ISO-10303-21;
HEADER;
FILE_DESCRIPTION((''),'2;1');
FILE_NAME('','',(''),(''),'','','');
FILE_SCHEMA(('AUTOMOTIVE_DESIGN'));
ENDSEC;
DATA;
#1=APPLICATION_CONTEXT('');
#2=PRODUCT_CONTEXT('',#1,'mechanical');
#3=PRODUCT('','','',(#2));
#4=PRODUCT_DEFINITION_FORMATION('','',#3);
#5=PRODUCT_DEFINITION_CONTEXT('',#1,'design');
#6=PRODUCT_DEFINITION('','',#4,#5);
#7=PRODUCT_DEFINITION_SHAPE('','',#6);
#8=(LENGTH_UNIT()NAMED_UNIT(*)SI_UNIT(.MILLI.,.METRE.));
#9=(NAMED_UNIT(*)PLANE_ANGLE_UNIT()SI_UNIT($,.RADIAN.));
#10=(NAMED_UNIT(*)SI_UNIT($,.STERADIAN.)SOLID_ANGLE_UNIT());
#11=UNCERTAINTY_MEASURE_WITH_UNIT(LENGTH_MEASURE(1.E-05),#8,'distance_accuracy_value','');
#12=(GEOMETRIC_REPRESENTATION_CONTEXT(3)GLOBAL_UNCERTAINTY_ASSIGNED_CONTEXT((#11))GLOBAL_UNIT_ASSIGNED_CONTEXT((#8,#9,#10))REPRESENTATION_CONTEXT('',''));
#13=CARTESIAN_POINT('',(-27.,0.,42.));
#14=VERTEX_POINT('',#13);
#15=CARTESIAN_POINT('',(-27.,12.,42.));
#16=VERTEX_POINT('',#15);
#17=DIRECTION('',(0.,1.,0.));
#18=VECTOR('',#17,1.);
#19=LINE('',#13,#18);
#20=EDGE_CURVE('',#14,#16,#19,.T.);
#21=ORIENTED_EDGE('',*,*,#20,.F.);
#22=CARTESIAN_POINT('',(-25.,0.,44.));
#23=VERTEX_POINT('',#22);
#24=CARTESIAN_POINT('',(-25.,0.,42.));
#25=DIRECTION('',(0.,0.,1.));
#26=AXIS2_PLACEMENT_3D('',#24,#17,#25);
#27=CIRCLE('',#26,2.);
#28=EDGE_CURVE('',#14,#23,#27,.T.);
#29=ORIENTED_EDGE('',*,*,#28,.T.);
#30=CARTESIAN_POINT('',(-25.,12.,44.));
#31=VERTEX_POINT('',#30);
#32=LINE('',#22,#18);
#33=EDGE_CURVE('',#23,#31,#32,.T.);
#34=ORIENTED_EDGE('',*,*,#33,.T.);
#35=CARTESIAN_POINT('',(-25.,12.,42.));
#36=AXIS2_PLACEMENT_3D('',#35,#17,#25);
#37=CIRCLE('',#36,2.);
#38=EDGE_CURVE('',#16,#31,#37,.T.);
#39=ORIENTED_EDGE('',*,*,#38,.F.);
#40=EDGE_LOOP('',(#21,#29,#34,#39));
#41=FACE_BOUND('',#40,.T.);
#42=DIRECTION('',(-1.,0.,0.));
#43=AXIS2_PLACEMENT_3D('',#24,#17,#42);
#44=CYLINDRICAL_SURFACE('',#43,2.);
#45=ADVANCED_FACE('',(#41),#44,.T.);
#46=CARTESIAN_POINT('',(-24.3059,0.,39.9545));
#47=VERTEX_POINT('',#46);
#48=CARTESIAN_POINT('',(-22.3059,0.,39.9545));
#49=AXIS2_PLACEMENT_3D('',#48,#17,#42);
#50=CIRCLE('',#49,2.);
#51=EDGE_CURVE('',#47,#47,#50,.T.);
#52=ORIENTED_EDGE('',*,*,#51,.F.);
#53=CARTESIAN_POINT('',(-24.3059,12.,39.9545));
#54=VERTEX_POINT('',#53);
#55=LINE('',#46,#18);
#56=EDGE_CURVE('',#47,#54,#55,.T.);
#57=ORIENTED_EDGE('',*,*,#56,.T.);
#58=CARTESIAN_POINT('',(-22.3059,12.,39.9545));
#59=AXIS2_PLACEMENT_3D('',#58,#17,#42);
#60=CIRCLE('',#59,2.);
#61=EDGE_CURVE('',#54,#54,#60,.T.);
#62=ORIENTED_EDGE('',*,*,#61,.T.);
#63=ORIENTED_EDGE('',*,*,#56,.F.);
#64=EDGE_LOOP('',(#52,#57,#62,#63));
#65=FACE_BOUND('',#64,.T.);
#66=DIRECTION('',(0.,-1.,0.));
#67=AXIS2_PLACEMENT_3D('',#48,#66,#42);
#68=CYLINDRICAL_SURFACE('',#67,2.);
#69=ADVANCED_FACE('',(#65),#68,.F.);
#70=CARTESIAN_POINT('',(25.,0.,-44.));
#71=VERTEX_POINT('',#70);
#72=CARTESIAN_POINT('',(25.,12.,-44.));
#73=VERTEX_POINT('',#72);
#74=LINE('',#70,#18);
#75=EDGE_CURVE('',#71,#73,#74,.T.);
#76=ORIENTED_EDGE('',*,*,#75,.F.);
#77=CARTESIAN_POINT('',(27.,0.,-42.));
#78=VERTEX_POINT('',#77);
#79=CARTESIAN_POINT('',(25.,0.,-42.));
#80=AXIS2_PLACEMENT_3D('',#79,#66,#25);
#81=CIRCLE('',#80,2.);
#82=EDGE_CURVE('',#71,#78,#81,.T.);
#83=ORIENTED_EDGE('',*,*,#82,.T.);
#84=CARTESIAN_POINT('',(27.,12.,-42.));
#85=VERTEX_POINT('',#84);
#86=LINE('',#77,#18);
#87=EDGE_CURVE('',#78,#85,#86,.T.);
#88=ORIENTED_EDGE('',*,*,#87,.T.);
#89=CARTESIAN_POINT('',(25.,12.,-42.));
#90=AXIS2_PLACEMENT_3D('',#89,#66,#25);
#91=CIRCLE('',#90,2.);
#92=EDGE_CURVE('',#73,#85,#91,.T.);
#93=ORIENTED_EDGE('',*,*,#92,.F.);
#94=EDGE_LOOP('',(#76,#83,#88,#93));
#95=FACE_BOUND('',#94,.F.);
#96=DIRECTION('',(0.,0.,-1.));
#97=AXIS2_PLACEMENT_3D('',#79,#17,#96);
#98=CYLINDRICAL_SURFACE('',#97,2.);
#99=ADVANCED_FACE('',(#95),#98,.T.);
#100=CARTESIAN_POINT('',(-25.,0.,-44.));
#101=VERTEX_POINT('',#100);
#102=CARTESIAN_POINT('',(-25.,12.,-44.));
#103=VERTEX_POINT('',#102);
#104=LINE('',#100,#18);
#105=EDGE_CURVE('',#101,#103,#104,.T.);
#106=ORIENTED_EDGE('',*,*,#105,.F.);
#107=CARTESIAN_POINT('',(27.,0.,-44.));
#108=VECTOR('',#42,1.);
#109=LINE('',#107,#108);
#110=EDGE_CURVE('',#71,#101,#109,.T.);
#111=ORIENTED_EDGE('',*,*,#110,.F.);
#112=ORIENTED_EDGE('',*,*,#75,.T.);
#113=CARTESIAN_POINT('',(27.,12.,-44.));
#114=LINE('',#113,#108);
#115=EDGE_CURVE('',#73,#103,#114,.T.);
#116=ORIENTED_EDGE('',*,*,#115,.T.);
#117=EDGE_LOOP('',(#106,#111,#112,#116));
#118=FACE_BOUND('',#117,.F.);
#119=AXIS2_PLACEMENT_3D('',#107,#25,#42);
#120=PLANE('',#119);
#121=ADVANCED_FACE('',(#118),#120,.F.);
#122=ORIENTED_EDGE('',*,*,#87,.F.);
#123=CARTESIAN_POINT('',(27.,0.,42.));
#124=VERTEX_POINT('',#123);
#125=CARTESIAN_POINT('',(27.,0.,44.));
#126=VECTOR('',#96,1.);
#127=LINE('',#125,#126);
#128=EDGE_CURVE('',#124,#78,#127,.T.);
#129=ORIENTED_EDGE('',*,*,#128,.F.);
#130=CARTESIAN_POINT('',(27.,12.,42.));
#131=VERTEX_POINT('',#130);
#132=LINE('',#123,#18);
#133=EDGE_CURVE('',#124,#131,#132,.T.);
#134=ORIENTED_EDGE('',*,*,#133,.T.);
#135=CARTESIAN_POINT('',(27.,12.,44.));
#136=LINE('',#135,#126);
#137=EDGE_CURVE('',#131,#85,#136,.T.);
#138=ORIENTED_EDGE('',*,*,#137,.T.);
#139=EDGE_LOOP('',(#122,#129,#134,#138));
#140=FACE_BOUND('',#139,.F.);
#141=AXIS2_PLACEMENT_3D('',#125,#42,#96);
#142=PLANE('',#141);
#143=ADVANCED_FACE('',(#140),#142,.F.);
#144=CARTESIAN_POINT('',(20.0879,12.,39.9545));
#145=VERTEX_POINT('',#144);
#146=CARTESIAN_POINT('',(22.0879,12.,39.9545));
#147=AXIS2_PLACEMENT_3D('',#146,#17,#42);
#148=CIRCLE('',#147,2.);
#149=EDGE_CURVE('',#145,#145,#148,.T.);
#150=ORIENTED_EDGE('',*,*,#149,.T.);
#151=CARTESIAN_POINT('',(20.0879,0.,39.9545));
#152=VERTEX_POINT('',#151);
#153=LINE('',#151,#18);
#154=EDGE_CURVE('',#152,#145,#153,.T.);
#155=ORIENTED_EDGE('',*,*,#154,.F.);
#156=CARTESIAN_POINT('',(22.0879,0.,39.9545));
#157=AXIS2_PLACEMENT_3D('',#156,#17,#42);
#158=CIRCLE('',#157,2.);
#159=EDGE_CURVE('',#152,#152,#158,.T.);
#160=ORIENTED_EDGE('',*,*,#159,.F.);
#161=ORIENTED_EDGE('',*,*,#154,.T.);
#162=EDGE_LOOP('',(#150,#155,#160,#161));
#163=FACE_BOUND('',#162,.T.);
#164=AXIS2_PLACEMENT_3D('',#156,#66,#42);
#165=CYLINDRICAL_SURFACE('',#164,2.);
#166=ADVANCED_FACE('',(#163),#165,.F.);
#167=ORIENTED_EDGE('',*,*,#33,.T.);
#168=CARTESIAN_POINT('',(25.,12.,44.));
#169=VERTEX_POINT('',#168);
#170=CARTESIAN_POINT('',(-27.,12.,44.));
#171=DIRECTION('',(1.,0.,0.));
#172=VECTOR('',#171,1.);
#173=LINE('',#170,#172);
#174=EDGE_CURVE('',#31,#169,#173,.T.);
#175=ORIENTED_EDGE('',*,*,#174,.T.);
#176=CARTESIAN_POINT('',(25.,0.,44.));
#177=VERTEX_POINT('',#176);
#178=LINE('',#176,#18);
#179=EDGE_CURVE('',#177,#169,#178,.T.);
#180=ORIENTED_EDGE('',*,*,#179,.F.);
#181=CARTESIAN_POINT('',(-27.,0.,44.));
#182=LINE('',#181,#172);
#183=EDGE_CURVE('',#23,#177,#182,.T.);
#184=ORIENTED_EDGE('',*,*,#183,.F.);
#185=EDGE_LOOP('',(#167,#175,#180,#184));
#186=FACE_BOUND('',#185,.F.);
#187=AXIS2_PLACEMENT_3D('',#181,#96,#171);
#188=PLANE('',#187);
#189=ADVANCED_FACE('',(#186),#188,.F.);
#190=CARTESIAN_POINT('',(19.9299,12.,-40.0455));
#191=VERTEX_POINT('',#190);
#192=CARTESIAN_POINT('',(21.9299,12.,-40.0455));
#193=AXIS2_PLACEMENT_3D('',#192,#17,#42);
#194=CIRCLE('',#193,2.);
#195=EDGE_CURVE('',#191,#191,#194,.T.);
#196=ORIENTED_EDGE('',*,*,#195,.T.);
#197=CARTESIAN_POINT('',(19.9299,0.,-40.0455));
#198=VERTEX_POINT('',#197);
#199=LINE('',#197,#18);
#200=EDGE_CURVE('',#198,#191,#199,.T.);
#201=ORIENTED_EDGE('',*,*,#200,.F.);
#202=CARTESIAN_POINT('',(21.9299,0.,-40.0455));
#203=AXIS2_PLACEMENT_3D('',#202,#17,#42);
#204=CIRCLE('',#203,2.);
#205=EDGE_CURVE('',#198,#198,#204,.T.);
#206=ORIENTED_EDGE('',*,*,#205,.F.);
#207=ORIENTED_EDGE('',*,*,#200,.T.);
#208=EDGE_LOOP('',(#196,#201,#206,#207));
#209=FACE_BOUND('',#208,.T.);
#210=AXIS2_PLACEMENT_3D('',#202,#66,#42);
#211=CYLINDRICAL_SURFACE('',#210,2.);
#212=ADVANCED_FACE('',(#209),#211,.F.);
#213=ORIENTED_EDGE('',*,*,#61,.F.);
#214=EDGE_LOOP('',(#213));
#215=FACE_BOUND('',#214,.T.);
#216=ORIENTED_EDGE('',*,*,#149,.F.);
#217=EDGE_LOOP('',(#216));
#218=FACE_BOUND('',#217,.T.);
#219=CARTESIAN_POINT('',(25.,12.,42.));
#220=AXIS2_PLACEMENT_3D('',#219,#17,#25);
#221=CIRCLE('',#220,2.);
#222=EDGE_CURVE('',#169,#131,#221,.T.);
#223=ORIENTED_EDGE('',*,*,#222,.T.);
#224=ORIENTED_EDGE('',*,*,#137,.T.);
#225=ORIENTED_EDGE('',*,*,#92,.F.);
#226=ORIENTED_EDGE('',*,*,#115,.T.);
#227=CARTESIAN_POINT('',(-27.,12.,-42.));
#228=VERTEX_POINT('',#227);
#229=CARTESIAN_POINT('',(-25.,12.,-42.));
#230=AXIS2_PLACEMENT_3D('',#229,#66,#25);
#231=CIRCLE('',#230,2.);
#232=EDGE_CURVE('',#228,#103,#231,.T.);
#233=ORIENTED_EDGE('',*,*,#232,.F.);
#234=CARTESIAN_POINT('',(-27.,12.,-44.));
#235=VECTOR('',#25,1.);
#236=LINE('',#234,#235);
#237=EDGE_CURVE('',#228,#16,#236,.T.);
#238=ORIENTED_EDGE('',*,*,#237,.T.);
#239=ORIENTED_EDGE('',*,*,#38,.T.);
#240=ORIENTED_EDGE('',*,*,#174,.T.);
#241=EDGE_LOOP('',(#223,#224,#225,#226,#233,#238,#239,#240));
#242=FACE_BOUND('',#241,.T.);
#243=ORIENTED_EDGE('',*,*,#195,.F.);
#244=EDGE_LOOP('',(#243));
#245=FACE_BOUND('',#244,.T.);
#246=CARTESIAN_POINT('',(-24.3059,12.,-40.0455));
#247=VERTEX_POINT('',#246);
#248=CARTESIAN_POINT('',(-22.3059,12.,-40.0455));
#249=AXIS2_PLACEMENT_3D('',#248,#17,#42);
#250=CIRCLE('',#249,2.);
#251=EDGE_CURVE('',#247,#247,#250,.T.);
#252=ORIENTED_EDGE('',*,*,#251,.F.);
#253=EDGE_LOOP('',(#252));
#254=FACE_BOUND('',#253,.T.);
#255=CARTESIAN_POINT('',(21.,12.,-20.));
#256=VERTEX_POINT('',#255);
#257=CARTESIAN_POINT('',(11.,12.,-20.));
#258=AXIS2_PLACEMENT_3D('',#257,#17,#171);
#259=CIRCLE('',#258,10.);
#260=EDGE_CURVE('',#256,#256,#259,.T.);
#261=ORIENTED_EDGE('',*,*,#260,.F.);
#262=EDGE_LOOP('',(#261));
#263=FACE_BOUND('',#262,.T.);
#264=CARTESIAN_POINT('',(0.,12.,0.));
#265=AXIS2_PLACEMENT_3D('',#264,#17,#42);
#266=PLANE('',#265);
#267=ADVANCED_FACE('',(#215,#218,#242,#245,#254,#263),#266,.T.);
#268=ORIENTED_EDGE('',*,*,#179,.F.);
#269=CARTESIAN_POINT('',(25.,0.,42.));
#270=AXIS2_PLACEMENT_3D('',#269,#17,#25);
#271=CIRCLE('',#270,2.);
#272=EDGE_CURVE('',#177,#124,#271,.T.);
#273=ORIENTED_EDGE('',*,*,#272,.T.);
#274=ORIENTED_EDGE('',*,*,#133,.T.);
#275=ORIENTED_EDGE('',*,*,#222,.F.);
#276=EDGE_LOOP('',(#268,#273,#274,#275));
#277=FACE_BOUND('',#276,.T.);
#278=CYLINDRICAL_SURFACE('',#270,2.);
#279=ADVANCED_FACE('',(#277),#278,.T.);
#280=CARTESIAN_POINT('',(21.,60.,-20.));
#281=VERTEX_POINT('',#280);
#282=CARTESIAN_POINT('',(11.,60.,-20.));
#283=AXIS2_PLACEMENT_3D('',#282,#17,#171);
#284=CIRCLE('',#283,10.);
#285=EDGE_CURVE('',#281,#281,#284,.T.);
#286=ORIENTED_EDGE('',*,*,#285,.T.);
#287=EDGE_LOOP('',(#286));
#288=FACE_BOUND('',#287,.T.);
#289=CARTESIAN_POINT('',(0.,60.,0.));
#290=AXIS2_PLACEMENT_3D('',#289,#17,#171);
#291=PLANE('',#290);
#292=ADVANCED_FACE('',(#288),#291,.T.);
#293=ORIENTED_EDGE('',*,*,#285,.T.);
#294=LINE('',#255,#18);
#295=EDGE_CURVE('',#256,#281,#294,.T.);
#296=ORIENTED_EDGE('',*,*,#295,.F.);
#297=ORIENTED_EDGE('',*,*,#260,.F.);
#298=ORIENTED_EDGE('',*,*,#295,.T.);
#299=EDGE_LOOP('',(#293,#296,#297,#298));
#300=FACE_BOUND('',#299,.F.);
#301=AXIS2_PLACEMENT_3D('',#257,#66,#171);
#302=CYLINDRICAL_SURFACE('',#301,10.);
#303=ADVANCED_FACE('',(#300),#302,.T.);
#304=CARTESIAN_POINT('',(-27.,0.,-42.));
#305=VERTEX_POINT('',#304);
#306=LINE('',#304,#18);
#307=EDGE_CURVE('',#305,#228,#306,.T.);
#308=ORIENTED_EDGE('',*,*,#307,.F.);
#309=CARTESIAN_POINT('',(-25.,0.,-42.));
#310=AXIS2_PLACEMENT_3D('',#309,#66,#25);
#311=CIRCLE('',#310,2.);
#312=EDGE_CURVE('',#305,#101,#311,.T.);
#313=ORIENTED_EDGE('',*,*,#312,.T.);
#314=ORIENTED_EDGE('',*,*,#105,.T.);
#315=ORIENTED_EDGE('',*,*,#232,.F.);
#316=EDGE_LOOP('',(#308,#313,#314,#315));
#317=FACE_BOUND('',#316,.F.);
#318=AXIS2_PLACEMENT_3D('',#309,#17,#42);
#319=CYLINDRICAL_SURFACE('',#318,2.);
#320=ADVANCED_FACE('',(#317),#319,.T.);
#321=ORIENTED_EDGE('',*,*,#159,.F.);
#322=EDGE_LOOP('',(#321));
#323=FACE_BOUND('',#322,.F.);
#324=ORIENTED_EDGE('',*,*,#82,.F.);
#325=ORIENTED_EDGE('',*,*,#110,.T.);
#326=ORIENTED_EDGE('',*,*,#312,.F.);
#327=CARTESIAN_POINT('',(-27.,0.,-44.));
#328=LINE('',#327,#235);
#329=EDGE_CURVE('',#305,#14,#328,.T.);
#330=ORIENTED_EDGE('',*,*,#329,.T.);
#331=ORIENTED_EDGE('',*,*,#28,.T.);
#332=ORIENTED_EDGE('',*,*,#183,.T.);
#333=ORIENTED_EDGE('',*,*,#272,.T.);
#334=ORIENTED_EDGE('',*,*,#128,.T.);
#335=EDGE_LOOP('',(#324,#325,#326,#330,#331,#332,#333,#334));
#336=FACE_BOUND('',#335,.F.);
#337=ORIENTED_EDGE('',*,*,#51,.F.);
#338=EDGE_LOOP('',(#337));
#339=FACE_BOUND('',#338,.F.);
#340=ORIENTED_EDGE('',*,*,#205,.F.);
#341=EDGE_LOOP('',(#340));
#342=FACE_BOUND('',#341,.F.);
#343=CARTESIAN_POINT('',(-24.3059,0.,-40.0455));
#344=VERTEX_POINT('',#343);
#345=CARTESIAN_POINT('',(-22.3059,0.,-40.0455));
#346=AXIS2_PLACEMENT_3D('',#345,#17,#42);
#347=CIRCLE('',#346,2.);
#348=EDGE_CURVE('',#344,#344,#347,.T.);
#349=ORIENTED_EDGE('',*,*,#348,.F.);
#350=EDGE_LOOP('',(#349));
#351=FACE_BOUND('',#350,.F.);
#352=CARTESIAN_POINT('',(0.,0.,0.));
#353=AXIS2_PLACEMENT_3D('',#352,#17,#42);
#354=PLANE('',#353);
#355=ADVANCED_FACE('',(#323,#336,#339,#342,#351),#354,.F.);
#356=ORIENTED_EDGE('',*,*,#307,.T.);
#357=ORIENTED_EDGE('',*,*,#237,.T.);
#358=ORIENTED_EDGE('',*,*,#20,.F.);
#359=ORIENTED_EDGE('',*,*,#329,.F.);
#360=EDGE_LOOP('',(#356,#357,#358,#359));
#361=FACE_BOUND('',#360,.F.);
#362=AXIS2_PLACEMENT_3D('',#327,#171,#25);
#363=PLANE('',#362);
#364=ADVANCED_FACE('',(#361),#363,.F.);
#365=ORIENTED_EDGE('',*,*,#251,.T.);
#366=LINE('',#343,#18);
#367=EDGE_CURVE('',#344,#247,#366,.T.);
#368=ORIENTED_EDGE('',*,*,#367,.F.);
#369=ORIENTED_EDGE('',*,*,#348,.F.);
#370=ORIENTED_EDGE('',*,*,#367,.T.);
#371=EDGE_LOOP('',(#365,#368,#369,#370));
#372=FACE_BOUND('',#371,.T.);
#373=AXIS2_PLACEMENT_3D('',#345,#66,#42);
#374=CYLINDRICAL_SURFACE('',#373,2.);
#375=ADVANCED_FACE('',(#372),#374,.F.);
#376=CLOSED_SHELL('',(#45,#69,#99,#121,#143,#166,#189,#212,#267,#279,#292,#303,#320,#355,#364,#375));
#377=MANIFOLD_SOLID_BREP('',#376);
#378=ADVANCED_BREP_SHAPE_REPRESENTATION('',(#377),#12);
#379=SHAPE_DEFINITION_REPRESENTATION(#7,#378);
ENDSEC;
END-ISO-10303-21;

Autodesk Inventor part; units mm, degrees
ref_plane "YZ Plane" through (0, 0, 0) normal (1, 0, 0) x (0, 1, 0)
ref_plane "XZ Plane" through (0, 0, 0) normal (0, 1, 0) x (-1, 0, 0)
sketch "Sketch1" plane through (0, 0, 0) normal (0, 1, 0) x (-1, 0, 0)
  line L0 (27, 44) -> (-27, 44)
  line L1 (-27, 44) -> (-27, -44)
  line L2 (-27, -44) -> (27, -44)
  line L3 (27, -44) -> (27, 44)
  line L4 (27, 44) -> (-27, -44) construction
  line L5 (-27, 44) -> (27, -44) construction
  circle A0 centre (22.3059, 39.9545) radius 2
  circle A1 centre (-22.0879, 39.9545) radius 2
  circle A2 centre (-21.9299, -40.0455) radius 2
  circle A3 centre (22.3059, -40.0455) radius 2
  point P0 (0, 0)
  dimension "d0" = 54
  dimension "d6" = 4
  dimension "d7" = 4
  dimension "d8" = 4
  dimension "d9" = 4
  dimension "d17" = 88
  dimension "d19" = 80
extrude "Extrusion1" add sketch "Sketch1" along normal blind 12
ref_plane "Work Plane1" through (0, 12, 0) normal (0, 1, 0) x (1, 0, 0)
sketch "Sketch2" plane through (0, 12, 0) normal (0, 1, 0) x (1, 0, 0)
  circle A0 centre (11, 20) radius 10
  point P0 (0, 0)
  dimension "d14" = 20
extrude "Extrusion2" add sketch "Sketch2" along normal blind 48
fillet "Fillet1" radius 2 4 edges at (27, 6, 44) (27, 6, -44) (-27, 6, 44) (-27, 6, -44)
properties part number "sensor 2"
